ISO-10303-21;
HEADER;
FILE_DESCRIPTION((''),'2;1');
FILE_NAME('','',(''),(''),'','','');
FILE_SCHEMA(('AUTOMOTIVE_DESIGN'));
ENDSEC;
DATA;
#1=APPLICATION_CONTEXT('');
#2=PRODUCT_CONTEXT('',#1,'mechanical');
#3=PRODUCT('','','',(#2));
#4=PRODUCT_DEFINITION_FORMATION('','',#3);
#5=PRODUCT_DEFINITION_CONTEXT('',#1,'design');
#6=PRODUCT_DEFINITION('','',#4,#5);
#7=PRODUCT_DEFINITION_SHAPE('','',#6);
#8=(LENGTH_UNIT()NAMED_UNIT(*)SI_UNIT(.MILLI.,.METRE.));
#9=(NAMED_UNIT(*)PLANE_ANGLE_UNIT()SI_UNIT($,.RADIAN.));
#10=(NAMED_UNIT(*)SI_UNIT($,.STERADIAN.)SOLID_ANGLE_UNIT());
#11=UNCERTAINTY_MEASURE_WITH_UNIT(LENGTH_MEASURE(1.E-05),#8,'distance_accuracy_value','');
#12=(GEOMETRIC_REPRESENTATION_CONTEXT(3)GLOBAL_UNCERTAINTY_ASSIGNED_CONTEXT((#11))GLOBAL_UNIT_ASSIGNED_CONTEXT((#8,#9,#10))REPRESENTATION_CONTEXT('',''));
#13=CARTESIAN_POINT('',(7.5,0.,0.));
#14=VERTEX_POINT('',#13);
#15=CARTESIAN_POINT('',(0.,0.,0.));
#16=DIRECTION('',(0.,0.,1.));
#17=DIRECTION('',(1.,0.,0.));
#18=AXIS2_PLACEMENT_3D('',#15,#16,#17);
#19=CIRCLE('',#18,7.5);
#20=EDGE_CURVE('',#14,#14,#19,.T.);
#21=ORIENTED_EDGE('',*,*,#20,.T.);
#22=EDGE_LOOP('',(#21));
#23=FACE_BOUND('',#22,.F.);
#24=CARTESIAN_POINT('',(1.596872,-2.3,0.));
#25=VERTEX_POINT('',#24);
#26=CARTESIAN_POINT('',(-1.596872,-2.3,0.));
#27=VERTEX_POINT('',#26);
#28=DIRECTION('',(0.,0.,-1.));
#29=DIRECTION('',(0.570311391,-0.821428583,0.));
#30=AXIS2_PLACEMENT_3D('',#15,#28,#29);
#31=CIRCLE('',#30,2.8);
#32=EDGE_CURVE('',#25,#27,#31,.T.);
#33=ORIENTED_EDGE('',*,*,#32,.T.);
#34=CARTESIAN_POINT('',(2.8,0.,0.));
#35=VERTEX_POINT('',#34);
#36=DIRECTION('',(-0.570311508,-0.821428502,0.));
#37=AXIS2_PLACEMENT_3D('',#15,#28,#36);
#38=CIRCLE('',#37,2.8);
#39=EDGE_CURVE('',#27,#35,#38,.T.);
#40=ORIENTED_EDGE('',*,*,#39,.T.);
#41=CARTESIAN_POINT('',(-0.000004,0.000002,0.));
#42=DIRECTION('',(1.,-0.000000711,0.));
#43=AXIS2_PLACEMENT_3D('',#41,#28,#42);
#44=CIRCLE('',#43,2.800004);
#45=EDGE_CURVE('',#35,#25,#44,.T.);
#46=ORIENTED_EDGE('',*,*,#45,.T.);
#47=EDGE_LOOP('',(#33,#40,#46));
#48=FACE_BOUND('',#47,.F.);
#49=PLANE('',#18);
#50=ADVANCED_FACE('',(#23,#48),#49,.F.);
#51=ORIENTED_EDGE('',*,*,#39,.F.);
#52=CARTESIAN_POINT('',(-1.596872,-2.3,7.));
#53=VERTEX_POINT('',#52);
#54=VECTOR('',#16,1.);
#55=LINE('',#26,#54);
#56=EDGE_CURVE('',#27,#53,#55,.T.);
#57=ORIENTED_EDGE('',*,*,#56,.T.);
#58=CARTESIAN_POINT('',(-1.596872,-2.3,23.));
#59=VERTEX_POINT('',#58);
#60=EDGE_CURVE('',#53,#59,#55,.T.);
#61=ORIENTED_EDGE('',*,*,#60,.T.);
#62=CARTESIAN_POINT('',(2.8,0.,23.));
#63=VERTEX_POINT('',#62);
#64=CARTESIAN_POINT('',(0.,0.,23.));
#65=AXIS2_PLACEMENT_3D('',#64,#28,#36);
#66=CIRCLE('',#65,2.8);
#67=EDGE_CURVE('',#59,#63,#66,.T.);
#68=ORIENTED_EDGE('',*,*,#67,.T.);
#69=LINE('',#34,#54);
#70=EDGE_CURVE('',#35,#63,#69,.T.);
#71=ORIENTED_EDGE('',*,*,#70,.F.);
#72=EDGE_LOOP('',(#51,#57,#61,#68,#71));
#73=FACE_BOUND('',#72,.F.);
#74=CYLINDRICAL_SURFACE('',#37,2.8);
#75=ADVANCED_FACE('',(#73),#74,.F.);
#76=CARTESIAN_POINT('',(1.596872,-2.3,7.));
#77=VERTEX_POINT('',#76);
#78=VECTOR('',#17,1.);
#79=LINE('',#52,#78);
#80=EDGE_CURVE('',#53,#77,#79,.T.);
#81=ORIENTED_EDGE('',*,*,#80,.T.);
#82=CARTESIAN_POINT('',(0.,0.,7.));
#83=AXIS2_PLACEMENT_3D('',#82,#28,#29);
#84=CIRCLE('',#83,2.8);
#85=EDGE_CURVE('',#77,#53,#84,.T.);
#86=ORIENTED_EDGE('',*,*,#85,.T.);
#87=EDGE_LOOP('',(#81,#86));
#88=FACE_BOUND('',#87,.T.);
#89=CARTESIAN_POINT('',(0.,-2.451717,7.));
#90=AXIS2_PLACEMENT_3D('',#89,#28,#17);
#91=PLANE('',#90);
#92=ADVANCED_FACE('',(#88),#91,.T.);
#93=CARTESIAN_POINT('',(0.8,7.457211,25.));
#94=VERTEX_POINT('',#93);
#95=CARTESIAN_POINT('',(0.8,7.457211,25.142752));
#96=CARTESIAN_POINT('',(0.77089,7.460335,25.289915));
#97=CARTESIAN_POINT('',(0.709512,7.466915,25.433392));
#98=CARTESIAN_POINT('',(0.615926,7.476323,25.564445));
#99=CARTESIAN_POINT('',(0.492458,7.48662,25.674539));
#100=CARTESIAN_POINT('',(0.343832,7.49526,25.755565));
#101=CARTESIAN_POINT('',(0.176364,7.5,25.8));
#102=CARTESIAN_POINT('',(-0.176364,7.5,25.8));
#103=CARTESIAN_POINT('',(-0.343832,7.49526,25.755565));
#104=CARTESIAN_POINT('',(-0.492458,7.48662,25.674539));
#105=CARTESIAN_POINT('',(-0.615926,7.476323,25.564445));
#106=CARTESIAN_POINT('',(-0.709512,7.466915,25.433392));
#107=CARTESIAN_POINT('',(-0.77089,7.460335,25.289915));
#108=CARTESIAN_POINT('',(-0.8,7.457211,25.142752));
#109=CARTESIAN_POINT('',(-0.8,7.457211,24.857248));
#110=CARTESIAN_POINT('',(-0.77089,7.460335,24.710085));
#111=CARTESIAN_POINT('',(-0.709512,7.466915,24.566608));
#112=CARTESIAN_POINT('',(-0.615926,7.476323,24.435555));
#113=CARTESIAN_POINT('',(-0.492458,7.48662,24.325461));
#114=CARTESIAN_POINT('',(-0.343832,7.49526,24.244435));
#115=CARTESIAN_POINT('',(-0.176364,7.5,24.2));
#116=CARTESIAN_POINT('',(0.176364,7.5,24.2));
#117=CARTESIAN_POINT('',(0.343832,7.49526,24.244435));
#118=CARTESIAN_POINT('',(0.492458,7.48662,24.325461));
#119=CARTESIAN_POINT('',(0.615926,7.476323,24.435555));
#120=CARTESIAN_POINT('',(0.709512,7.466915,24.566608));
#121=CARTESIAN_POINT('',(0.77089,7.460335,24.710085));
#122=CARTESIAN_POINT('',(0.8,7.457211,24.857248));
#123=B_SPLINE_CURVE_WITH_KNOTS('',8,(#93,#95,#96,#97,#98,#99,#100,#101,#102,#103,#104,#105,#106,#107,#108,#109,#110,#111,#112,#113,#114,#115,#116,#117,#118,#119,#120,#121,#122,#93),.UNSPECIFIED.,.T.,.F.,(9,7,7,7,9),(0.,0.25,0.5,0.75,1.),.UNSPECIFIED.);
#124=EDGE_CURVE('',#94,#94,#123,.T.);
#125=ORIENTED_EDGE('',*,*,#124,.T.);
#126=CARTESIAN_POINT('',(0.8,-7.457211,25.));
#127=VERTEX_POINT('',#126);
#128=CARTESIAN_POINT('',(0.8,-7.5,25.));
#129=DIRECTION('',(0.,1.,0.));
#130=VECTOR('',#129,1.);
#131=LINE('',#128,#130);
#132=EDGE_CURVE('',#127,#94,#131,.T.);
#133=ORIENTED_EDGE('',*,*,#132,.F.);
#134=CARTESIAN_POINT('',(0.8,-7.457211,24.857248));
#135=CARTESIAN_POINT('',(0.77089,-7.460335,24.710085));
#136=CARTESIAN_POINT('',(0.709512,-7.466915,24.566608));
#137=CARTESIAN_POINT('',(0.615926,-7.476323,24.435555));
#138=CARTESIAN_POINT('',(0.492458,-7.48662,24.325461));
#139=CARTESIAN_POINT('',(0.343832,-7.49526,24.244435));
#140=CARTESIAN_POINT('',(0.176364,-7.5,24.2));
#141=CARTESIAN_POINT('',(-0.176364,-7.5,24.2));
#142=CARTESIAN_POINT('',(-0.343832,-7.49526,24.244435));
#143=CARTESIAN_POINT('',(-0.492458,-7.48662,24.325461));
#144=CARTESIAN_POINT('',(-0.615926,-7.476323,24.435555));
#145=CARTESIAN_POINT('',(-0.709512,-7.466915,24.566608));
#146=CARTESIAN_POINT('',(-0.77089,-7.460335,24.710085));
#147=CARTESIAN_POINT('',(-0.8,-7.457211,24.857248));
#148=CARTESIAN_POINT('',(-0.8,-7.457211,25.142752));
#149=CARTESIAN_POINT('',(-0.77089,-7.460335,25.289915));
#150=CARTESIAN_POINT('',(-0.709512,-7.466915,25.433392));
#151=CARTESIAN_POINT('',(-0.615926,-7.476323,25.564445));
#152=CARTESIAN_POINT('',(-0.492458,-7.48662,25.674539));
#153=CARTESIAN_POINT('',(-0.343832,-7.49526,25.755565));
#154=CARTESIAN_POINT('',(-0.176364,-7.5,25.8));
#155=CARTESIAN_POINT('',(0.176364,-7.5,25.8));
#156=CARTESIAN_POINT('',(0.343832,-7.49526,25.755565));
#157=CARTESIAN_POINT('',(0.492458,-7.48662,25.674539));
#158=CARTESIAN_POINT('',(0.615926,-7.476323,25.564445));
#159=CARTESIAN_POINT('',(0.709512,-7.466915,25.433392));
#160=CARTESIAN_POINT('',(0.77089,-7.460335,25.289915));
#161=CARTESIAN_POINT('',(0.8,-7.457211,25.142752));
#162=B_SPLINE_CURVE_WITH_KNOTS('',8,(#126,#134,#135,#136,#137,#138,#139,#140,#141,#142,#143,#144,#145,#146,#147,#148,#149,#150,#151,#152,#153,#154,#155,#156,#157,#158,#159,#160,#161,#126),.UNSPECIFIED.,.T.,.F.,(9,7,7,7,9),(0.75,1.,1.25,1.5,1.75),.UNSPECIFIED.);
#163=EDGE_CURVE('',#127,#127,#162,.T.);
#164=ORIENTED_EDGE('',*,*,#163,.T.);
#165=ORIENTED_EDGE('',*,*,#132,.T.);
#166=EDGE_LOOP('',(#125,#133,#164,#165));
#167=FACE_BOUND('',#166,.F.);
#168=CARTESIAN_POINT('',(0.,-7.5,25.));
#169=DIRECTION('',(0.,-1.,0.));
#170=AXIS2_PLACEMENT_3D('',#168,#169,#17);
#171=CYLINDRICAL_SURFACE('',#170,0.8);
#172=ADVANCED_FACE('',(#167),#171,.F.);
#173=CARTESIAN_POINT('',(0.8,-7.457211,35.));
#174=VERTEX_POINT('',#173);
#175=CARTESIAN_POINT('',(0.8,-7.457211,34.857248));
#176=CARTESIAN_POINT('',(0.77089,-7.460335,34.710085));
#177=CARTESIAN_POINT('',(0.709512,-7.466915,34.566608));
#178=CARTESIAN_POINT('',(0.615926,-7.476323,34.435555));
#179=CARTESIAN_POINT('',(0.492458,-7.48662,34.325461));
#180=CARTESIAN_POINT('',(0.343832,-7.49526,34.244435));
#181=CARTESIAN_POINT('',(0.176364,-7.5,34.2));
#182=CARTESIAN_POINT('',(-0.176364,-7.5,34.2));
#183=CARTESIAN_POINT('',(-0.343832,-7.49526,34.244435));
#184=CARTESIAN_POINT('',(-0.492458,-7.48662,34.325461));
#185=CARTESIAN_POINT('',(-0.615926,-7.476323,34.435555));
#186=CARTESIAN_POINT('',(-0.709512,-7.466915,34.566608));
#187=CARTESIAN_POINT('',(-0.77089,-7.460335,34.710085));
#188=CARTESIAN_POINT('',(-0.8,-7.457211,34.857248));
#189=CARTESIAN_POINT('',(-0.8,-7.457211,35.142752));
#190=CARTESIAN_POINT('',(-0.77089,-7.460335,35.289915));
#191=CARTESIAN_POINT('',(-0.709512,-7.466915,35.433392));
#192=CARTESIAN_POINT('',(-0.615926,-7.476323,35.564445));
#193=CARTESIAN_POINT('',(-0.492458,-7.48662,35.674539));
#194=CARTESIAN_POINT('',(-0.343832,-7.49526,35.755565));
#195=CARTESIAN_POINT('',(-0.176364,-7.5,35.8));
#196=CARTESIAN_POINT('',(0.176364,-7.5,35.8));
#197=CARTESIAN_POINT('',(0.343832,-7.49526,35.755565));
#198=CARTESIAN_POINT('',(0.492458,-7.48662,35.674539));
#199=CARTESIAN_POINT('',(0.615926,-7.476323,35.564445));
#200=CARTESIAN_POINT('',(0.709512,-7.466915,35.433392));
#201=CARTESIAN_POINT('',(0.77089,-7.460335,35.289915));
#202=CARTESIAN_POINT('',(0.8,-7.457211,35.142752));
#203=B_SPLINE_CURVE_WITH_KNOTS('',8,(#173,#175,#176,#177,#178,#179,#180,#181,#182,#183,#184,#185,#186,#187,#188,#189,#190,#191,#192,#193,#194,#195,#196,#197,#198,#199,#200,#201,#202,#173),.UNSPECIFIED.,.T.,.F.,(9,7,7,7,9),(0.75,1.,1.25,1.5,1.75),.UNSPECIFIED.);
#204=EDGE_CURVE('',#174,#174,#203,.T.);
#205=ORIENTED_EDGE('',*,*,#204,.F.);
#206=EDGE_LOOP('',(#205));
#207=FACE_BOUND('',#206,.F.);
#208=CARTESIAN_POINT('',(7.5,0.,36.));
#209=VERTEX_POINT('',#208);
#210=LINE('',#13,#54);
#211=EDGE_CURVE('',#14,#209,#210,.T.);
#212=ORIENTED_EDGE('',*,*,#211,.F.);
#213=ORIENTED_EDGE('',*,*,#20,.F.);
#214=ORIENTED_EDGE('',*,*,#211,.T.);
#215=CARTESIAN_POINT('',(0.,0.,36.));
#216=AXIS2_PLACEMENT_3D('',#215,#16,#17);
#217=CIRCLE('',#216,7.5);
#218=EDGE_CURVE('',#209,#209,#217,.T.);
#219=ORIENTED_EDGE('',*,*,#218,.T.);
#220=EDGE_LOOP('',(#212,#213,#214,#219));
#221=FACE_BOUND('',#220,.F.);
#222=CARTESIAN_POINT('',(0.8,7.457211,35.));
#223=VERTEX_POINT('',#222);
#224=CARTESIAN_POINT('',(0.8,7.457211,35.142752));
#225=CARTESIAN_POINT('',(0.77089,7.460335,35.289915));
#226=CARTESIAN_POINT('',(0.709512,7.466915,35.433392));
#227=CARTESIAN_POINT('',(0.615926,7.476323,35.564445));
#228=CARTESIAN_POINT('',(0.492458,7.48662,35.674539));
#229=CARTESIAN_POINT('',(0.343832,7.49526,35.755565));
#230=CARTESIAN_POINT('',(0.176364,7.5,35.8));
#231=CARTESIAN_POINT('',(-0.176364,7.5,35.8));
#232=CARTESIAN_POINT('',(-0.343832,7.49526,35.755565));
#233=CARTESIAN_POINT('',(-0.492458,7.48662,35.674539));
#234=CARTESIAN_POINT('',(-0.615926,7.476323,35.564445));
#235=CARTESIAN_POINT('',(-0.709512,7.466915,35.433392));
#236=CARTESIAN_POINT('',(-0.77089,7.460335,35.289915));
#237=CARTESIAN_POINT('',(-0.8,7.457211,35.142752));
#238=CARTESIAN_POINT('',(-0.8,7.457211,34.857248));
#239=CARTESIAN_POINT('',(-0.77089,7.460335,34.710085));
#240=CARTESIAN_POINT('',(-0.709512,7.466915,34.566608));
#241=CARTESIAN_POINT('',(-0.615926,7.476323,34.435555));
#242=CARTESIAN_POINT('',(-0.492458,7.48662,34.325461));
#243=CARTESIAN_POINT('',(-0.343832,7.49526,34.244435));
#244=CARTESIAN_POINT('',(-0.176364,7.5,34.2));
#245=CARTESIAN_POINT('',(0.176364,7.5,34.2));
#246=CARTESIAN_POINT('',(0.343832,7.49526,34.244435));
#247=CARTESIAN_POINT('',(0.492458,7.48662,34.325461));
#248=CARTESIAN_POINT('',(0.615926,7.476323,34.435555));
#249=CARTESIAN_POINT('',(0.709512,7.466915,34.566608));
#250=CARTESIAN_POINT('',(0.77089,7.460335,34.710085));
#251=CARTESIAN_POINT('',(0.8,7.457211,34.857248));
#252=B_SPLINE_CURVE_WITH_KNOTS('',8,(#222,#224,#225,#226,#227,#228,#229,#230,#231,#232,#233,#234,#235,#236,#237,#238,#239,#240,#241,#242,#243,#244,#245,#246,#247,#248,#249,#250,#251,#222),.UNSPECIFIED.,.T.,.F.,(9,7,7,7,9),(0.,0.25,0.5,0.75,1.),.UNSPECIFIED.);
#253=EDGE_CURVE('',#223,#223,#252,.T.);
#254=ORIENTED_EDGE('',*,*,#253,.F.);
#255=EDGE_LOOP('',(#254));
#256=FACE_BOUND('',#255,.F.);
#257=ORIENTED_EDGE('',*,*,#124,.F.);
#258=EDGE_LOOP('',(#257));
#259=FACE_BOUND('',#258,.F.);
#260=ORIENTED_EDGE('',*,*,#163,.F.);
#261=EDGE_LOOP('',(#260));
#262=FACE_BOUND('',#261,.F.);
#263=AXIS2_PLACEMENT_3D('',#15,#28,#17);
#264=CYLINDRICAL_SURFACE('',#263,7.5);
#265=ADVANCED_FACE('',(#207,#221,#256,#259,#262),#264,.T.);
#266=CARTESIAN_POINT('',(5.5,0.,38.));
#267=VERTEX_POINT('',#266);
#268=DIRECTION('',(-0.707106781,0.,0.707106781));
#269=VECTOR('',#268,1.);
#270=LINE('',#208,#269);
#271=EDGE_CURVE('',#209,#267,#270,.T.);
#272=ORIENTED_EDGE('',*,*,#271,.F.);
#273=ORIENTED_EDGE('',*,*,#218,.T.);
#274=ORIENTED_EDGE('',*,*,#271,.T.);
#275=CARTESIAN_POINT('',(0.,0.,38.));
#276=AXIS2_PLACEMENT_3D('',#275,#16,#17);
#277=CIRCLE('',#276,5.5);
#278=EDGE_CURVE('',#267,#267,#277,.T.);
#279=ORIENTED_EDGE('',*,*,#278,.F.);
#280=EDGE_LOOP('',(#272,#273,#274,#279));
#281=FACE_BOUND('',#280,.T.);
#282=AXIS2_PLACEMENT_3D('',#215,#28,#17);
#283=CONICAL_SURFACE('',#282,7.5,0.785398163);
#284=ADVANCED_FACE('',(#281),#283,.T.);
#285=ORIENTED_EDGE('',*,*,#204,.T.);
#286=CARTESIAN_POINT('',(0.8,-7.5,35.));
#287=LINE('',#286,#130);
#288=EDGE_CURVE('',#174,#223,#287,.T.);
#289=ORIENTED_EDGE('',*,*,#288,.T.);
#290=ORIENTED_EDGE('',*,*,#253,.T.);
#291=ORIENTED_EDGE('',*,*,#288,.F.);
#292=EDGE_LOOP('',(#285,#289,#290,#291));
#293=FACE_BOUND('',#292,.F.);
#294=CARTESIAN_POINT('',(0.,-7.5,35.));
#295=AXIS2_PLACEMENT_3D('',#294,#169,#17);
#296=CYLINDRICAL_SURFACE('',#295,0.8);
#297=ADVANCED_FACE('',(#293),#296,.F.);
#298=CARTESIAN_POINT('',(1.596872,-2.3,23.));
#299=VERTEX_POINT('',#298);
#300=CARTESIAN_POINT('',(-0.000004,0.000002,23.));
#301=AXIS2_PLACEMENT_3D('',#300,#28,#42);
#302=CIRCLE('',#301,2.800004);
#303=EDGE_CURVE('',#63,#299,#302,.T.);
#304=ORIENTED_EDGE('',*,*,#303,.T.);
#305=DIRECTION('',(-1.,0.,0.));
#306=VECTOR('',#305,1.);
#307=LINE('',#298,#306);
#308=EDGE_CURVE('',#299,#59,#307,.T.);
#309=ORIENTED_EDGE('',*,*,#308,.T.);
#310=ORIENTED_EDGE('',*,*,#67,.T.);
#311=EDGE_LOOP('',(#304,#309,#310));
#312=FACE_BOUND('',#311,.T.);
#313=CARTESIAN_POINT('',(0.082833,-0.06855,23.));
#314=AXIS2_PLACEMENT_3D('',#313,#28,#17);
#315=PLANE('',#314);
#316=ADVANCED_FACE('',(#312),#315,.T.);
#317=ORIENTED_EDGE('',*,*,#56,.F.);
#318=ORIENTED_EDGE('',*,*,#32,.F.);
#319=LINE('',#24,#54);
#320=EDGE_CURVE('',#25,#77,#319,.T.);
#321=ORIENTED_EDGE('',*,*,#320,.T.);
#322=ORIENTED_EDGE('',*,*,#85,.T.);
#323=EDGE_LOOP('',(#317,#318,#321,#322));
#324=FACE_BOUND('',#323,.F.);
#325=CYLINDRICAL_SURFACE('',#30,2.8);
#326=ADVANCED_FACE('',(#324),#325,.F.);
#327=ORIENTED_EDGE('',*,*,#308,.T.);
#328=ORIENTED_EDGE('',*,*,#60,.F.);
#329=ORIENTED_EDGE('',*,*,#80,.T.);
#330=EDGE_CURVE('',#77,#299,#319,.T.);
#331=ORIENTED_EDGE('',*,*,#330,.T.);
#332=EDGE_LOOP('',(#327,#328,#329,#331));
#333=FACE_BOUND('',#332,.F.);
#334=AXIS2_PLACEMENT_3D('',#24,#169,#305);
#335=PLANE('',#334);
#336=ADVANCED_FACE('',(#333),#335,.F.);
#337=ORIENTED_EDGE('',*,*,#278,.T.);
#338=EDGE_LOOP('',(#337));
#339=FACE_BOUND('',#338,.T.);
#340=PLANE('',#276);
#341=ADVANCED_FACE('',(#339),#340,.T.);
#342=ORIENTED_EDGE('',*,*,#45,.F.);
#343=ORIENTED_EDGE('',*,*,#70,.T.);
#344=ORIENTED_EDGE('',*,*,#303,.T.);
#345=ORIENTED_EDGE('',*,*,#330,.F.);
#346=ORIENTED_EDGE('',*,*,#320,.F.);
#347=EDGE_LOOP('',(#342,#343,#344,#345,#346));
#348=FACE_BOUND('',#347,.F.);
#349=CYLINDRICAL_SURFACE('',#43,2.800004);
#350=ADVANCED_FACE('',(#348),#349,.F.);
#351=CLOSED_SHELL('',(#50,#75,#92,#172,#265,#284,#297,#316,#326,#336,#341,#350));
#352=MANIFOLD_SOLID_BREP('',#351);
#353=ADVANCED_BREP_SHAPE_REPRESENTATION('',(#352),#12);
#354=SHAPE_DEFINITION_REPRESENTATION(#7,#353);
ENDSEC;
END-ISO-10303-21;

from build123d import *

# Parameters (mm, degrees)
F0_R     = 7.5
F1_DEPTH = 38
F3_R     = 0.8
F4_DEPTH = 15.001
F5_SIZE  = 2
F7_DEPTH = 23
F8_DEPTH = 7


with BuildPart() as f1:
    # F0 (on Top) → F1 (new body)
    with BuildSketch(Plane.XY):
        Circle(F0_R)
    extrude(amount=F1_DEPTH)

    # F3 (on offset) → F4 (cut, through all)
    with BuildSketch(Plane.XZ.offset(7.5)):
        with Locations((0, 35)):
            Circle(F3_R)
        with Locations((0, 25)):
            Circle(F3_R)
    extrude(amount=-F4_DEPTH, mode=Mode.SUBTRACT)

    # F5
    f5_edges = [f1.edges().sort_by_distance(p)[0] for p in [
        (-7.5, 0, 38),
    ]]
    chamfer(f5_edges, length=F5_SIZE)

    # F6 (on face) → F7 (cut)
    with BuildSketch(Plane(origin=(0, 0, 0), x_dir=(1, 0, 0), z_dir=(0, 0, -1))):
        with BuildLine():
            ThreePointArc((-1.596872, 2.3), (-1.297836, -2.481052), (2.8, 0))
            ThreePointArc((2.8, 0), (2.481052, 1.297836), (1.596872, 2.3))
            Line((1.596872, 2.3), (-1.596872, 2.3))
        make_face()
    extrude(amount=-F7_DEPTH, mode=Mode.SUBTRACT)

    # F6 (on face) → F8 (cut)
    with BuildSketch(Plane(origin=(0, 0, 0), x_dir=(1, 0, 0), z_dir=(0, 0, -1))):
        with BuildLine():
            Line((-1.596872, 2.3), (1.596872, 2.3))
            ThreePointArc((1.596872, 2.3), (0, 2.8), (-1.596872, 2.3))
        make_face()
    extrude(amount=-F8_DEPTH, mode=Mode.SUBTRACT)


solid = f1.part
